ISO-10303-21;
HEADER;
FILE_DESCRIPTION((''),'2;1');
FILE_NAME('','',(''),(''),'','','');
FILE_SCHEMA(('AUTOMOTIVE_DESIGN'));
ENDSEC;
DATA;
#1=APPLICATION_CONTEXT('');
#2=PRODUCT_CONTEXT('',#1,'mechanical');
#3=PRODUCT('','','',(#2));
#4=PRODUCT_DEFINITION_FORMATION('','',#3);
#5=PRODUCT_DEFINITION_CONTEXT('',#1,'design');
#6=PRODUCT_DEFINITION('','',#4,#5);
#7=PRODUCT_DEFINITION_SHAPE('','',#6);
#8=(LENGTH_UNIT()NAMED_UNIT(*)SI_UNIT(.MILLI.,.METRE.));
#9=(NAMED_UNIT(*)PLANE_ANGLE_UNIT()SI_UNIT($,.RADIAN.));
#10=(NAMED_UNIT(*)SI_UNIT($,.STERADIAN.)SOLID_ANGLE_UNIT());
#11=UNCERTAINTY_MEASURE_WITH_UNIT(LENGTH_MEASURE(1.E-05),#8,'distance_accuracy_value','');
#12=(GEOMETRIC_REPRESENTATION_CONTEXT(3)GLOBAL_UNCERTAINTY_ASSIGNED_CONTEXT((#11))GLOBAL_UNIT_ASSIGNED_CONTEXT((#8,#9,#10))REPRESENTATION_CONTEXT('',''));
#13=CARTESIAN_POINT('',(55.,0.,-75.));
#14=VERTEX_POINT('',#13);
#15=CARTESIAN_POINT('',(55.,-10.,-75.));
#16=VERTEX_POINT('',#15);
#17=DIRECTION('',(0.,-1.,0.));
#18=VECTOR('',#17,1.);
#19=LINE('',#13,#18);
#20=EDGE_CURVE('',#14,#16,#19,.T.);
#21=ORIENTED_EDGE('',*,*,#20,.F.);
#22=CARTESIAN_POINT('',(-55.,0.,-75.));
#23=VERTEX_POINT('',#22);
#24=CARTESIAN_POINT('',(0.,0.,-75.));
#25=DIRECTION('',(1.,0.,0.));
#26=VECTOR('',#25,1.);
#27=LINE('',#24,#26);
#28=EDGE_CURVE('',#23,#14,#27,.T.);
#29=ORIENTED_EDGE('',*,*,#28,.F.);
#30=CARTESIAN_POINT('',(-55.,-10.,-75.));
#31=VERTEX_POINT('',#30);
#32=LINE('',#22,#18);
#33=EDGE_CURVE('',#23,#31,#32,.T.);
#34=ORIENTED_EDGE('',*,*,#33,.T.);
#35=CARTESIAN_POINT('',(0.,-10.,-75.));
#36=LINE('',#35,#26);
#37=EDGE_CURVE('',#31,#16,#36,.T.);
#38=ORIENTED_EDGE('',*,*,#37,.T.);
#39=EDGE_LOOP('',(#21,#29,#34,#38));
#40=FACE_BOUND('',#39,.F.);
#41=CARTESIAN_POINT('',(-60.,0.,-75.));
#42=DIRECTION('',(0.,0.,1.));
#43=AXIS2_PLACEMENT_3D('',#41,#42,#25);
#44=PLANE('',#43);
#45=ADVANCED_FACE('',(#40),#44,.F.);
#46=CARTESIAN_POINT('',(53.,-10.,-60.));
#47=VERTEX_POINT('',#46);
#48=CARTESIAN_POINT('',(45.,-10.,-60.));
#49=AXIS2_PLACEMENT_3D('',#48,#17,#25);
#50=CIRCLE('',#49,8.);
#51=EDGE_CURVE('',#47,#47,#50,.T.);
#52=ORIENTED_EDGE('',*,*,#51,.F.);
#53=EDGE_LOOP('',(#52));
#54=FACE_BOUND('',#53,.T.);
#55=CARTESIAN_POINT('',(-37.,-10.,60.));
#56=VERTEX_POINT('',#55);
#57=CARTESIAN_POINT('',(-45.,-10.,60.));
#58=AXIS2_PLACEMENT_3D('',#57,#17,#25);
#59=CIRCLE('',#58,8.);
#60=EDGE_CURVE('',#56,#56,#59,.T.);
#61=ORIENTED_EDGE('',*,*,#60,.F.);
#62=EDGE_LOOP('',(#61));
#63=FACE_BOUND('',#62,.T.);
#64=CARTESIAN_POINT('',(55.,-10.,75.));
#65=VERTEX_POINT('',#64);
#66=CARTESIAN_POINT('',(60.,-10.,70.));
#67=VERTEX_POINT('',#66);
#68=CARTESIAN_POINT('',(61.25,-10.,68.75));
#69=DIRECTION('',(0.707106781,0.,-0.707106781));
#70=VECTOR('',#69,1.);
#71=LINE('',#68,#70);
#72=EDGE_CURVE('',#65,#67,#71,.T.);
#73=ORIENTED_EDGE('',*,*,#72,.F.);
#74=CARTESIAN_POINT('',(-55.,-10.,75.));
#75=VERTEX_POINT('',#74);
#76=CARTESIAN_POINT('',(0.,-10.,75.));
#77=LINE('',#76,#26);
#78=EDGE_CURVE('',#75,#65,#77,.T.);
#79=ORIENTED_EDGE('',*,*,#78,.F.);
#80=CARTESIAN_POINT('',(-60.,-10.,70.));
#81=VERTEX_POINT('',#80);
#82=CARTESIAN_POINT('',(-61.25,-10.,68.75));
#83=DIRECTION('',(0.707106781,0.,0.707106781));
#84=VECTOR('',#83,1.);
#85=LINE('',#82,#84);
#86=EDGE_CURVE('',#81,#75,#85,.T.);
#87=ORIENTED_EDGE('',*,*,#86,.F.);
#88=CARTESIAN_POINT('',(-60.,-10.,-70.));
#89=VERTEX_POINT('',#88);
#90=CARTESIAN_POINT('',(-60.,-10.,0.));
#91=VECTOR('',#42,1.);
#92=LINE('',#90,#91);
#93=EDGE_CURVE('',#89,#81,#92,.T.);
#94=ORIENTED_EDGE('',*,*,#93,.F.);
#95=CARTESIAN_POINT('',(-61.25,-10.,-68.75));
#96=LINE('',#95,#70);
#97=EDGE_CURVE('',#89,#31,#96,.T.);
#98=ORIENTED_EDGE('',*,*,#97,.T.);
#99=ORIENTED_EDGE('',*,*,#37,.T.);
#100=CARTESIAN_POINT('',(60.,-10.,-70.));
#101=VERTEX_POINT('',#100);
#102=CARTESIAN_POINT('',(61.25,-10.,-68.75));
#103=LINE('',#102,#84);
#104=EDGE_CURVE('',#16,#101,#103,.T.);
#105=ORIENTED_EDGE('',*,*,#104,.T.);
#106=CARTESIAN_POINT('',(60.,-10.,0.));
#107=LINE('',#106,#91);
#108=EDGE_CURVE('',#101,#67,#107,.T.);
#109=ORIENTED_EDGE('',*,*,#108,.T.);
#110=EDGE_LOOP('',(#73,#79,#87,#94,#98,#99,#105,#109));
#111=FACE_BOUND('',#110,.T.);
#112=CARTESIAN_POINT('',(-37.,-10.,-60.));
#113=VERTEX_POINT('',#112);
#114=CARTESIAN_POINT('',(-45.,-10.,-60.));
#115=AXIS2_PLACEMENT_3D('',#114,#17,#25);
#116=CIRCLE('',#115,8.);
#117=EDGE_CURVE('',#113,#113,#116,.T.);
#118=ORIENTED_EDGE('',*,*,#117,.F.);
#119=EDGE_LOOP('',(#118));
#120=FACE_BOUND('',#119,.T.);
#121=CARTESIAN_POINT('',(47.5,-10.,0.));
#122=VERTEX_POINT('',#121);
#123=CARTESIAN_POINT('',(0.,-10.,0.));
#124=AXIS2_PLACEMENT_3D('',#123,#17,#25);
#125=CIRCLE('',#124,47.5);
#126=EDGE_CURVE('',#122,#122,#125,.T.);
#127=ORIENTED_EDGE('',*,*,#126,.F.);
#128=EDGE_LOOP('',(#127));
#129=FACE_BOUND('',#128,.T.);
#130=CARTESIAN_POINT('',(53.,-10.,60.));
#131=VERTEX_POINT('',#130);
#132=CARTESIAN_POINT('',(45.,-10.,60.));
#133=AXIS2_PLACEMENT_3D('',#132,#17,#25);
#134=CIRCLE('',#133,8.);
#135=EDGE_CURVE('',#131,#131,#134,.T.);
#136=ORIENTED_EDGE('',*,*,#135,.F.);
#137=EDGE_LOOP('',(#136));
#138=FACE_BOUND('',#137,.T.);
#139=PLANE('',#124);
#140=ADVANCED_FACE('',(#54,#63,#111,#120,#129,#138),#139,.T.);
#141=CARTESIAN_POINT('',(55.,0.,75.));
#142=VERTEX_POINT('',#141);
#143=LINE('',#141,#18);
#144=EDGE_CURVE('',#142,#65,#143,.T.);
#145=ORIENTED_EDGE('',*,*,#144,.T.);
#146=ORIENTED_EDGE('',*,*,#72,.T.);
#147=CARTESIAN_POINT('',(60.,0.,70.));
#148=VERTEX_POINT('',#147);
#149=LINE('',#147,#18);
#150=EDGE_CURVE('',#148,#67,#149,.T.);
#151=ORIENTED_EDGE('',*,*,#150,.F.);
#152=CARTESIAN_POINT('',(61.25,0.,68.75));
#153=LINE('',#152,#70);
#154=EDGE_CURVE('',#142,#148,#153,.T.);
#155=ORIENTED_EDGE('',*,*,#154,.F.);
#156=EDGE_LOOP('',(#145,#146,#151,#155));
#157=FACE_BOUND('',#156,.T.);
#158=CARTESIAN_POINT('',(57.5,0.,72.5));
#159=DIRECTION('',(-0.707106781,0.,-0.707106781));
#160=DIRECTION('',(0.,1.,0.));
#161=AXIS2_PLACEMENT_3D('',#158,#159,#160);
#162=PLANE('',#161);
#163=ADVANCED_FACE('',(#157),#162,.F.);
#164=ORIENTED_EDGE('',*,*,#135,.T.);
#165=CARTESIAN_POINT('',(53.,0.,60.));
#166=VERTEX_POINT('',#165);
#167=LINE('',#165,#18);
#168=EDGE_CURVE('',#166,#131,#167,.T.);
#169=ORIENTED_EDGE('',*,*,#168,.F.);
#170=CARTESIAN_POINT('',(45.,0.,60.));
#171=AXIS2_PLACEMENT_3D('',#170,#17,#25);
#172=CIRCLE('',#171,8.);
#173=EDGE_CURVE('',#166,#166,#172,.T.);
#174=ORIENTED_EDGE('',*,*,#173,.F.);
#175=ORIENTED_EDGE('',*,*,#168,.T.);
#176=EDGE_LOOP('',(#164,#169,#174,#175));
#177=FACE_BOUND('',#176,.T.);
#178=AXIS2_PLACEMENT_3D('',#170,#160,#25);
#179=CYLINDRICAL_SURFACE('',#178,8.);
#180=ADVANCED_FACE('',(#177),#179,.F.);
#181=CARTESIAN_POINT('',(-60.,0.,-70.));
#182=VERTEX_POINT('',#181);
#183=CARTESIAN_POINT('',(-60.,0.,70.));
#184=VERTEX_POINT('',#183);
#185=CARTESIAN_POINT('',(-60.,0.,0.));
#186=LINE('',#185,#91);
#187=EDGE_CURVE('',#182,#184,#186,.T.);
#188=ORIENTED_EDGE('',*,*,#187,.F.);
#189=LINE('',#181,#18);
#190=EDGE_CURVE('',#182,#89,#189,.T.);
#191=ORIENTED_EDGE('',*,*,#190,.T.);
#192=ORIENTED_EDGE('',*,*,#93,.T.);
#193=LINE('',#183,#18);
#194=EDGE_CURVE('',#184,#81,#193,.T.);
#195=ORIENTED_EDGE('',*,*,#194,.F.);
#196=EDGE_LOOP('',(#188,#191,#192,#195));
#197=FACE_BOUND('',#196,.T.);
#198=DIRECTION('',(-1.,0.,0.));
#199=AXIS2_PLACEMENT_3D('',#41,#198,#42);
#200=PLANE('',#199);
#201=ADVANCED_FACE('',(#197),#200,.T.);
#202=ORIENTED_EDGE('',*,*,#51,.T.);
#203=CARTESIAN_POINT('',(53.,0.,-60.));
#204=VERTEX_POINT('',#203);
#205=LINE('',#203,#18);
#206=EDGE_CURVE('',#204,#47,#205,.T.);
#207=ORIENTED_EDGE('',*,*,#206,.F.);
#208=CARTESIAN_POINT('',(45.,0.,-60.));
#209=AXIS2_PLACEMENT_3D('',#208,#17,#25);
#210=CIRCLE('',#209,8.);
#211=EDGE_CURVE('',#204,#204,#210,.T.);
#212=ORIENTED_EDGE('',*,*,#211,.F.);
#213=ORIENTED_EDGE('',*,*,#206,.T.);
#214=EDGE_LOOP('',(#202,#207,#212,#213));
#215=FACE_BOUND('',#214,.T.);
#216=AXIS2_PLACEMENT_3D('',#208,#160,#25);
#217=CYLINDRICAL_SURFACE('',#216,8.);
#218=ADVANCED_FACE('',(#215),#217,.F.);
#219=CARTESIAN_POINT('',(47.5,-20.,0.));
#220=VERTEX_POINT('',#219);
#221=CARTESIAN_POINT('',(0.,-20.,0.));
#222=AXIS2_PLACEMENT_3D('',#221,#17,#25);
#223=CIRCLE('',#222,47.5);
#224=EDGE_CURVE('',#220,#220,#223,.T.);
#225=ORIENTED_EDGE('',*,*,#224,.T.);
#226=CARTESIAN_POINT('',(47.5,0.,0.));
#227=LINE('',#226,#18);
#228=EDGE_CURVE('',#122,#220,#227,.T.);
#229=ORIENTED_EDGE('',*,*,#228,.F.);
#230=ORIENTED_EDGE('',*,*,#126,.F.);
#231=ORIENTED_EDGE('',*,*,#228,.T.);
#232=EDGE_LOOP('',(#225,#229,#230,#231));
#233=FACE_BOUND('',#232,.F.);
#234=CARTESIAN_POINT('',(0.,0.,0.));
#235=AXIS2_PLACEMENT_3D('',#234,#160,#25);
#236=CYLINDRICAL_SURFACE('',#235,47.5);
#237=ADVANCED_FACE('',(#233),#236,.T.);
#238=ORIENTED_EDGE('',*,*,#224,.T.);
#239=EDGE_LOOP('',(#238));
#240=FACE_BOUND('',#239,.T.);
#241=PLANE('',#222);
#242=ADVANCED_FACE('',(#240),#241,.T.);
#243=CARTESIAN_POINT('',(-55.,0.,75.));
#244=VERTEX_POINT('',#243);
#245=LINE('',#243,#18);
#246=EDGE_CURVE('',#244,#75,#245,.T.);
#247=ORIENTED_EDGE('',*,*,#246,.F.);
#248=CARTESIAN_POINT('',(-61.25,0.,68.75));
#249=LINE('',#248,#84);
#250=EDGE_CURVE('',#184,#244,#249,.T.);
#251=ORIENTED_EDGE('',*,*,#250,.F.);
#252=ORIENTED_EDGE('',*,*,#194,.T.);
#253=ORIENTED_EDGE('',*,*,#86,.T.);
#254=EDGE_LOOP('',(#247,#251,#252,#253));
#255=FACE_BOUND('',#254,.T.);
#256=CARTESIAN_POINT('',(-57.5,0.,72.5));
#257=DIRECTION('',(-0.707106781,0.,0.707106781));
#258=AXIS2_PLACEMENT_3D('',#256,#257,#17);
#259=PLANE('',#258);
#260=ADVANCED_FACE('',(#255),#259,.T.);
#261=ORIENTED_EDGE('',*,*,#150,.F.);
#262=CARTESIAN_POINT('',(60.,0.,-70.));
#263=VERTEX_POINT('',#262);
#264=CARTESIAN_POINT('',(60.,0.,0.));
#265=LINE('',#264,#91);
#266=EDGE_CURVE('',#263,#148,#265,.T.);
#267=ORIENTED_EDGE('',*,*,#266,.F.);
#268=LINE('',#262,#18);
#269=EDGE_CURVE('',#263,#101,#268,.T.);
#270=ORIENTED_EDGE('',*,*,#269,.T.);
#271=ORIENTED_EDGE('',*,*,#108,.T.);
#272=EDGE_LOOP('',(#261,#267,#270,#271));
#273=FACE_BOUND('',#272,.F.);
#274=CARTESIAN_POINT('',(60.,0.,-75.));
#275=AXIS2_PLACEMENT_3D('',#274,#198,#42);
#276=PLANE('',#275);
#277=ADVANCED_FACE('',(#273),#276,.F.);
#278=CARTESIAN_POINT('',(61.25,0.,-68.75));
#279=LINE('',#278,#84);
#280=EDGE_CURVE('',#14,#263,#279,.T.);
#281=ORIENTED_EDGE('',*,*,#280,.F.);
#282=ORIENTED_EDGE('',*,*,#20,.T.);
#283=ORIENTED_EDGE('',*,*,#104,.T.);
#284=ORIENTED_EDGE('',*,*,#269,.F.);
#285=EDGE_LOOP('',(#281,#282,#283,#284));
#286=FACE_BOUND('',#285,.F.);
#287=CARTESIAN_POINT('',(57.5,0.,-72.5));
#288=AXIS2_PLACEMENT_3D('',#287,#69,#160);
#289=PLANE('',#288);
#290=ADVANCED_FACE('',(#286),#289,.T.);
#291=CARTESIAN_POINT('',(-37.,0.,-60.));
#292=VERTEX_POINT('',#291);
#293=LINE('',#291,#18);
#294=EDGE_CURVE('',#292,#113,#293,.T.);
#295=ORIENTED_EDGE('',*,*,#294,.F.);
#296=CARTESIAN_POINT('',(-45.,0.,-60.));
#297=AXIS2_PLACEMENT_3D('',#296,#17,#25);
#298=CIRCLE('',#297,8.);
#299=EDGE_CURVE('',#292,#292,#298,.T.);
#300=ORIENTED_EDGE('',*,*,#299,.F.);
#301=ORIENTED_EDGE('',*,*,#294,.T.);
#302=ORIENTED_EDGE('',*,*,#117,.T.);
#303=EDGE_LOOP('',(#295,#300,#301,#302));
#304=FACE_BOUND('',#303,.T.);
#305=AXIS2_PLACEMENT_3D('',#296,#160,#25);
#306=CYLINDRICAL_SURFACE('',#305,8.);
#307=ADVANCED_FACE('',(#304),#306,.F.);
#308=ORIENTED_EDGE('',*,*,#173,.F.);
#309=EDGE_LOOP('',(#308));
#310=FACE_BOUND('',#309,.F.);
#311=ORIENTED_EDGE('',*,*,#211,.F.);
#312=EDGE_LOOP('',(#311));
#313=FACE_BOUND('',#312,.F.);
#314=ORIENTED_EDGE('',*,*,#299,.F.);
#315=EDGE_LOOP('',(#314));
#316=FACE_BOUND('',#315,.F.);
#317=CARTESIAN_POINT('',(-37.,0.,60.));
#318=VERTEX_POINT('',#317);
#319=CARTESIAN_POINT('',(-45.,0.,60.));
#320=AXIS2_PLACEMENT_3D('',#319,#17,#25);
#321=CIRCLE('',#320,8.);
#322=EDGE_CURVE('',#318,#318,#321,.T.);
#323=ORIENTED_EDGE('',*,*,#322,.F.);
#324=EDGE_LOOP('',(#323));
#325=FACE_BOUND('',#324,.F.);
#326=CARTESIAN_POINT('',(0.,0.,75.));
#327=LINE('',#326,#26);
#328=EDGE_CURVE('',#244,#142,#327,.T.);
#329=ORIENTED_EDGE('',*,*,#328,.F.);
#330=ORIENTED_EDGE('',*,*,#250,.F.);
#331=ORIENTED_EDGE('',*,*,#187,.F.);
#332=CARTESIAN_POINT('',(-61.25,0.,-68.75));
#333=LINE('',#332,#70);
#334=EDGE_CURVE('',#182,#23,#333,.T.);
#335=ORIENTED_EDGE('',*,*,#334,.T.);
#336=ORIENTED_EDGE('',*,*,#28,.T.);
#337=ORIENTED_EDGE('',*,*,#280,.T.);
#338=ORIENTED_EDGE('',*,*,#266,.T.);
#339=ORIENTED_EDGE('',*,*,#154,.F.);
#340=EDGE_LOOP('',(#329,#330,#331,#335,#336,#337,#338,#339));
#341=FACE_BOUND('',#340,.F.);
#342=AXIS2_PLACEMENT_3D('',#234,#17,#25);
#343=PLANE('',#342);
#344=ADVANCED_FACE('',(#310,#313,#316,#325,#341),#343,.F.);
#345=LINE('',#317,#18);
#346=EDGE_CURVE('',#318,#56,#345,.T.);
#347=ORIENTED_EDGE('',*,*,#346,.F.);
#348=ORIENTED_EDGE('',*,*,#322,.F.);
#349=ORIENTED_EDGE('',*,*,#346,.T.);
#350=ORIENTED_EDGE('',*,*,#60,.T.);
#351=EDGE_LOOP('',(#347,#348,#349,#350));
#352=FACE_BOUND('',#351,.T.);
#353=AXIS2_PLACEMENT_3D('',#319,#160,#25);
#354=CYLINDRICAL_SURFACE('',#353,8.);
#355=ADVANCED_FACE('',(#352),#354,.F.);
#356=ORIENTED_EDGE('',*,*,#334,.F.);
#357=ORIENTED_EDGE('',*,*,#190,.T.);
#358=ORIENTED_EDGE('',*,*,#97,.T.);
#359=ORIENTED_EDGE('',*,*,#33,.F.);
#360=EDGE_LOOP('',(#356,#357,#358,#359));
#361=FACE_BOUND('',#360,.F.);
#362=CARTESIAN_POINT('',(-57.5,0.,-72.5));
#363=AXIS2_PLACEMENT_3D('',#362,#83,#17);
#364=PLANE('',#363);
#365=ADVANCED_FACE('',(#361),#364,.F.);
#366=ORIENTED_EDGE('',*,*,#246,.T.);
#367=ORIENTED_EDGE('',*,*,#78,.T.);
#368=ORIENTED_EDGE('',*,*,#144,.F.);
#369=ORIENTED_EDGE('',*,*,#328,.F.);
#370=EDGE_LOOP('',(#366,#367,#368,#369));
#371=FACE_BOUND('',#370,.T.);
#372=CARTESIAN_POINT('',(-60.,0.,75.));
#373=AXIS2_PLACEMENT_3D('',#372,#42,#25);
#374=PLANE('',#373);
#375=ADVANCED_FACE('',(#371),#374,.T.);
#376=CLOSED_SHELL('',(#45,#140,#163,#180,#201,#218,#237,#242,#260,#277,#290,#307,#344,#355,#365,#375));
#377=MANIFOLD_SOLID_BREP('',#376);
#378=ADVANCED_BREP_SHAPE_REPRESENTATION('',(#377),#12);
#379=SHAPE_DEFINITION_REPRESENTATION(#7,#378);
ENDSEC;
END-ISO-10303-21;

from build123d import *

# Parameters (mm, degrees)
F0_R      = 47.5
F0_R_2    = 35
F1_DEPTH  = 20
F0_W      = 120
F0_H      = 150
F0_R_3    = 8
F2_DEPTH  = 10
F2_FACE_R = 35
F3_DEPTH  = 10
F4_SIZE   = 5


with BuildPart() as f1:
    # F0 (on Front) → F1 (new body)
    with BuildSketch(Plane.XZ):
        Circle(F0_R)
        Circle(F0_R_2, mode=Mode.SUBTRACT)
    extrude(amount=F1_DEPTH)

    # F0 (on Front) → F2 (join)
    with BuildSketch(Plane.XZ):
        Rectangle(F0_W, F0_H)
        with Locations((-45, -60)):
            Circle(F0_R_3, mode=Mode.SUBTRACT)
        with Locations((45, -60)):
            Circle(F0_R_3, mode=Mode.SUBTRACT)
        with Locations((-45, 60)):
            Circle(F0_R_3, mode=Mode.SUBTRACT)
        Circle(F0_R, mode=Mode.SUBTRACT)
        with Locations((45, 60)):
            Circle(F0_R_3, mode=Mode.SUBTRACT)
        Circle(F0_R_2)
    extrude(amount=F2_DEPTH)

    # F2_face (on face) → F3 (join)
    with BuildSketch(Plane.XZ.offset(10)):
        Circle(F2_FACE_R)
    extrude(amount=F3_DEPTH)

    # F4
    f4_edges = [f1.edges().sort_by_distance(p)[0] for p in [
        (-60, -5, 75),
        (60, -5, 75),
        (60, -5, -75),
        (-60, -5, -75),
    ]]
    chamfer(f4_edges, length=F4_SIZE)


solid = f1.part
